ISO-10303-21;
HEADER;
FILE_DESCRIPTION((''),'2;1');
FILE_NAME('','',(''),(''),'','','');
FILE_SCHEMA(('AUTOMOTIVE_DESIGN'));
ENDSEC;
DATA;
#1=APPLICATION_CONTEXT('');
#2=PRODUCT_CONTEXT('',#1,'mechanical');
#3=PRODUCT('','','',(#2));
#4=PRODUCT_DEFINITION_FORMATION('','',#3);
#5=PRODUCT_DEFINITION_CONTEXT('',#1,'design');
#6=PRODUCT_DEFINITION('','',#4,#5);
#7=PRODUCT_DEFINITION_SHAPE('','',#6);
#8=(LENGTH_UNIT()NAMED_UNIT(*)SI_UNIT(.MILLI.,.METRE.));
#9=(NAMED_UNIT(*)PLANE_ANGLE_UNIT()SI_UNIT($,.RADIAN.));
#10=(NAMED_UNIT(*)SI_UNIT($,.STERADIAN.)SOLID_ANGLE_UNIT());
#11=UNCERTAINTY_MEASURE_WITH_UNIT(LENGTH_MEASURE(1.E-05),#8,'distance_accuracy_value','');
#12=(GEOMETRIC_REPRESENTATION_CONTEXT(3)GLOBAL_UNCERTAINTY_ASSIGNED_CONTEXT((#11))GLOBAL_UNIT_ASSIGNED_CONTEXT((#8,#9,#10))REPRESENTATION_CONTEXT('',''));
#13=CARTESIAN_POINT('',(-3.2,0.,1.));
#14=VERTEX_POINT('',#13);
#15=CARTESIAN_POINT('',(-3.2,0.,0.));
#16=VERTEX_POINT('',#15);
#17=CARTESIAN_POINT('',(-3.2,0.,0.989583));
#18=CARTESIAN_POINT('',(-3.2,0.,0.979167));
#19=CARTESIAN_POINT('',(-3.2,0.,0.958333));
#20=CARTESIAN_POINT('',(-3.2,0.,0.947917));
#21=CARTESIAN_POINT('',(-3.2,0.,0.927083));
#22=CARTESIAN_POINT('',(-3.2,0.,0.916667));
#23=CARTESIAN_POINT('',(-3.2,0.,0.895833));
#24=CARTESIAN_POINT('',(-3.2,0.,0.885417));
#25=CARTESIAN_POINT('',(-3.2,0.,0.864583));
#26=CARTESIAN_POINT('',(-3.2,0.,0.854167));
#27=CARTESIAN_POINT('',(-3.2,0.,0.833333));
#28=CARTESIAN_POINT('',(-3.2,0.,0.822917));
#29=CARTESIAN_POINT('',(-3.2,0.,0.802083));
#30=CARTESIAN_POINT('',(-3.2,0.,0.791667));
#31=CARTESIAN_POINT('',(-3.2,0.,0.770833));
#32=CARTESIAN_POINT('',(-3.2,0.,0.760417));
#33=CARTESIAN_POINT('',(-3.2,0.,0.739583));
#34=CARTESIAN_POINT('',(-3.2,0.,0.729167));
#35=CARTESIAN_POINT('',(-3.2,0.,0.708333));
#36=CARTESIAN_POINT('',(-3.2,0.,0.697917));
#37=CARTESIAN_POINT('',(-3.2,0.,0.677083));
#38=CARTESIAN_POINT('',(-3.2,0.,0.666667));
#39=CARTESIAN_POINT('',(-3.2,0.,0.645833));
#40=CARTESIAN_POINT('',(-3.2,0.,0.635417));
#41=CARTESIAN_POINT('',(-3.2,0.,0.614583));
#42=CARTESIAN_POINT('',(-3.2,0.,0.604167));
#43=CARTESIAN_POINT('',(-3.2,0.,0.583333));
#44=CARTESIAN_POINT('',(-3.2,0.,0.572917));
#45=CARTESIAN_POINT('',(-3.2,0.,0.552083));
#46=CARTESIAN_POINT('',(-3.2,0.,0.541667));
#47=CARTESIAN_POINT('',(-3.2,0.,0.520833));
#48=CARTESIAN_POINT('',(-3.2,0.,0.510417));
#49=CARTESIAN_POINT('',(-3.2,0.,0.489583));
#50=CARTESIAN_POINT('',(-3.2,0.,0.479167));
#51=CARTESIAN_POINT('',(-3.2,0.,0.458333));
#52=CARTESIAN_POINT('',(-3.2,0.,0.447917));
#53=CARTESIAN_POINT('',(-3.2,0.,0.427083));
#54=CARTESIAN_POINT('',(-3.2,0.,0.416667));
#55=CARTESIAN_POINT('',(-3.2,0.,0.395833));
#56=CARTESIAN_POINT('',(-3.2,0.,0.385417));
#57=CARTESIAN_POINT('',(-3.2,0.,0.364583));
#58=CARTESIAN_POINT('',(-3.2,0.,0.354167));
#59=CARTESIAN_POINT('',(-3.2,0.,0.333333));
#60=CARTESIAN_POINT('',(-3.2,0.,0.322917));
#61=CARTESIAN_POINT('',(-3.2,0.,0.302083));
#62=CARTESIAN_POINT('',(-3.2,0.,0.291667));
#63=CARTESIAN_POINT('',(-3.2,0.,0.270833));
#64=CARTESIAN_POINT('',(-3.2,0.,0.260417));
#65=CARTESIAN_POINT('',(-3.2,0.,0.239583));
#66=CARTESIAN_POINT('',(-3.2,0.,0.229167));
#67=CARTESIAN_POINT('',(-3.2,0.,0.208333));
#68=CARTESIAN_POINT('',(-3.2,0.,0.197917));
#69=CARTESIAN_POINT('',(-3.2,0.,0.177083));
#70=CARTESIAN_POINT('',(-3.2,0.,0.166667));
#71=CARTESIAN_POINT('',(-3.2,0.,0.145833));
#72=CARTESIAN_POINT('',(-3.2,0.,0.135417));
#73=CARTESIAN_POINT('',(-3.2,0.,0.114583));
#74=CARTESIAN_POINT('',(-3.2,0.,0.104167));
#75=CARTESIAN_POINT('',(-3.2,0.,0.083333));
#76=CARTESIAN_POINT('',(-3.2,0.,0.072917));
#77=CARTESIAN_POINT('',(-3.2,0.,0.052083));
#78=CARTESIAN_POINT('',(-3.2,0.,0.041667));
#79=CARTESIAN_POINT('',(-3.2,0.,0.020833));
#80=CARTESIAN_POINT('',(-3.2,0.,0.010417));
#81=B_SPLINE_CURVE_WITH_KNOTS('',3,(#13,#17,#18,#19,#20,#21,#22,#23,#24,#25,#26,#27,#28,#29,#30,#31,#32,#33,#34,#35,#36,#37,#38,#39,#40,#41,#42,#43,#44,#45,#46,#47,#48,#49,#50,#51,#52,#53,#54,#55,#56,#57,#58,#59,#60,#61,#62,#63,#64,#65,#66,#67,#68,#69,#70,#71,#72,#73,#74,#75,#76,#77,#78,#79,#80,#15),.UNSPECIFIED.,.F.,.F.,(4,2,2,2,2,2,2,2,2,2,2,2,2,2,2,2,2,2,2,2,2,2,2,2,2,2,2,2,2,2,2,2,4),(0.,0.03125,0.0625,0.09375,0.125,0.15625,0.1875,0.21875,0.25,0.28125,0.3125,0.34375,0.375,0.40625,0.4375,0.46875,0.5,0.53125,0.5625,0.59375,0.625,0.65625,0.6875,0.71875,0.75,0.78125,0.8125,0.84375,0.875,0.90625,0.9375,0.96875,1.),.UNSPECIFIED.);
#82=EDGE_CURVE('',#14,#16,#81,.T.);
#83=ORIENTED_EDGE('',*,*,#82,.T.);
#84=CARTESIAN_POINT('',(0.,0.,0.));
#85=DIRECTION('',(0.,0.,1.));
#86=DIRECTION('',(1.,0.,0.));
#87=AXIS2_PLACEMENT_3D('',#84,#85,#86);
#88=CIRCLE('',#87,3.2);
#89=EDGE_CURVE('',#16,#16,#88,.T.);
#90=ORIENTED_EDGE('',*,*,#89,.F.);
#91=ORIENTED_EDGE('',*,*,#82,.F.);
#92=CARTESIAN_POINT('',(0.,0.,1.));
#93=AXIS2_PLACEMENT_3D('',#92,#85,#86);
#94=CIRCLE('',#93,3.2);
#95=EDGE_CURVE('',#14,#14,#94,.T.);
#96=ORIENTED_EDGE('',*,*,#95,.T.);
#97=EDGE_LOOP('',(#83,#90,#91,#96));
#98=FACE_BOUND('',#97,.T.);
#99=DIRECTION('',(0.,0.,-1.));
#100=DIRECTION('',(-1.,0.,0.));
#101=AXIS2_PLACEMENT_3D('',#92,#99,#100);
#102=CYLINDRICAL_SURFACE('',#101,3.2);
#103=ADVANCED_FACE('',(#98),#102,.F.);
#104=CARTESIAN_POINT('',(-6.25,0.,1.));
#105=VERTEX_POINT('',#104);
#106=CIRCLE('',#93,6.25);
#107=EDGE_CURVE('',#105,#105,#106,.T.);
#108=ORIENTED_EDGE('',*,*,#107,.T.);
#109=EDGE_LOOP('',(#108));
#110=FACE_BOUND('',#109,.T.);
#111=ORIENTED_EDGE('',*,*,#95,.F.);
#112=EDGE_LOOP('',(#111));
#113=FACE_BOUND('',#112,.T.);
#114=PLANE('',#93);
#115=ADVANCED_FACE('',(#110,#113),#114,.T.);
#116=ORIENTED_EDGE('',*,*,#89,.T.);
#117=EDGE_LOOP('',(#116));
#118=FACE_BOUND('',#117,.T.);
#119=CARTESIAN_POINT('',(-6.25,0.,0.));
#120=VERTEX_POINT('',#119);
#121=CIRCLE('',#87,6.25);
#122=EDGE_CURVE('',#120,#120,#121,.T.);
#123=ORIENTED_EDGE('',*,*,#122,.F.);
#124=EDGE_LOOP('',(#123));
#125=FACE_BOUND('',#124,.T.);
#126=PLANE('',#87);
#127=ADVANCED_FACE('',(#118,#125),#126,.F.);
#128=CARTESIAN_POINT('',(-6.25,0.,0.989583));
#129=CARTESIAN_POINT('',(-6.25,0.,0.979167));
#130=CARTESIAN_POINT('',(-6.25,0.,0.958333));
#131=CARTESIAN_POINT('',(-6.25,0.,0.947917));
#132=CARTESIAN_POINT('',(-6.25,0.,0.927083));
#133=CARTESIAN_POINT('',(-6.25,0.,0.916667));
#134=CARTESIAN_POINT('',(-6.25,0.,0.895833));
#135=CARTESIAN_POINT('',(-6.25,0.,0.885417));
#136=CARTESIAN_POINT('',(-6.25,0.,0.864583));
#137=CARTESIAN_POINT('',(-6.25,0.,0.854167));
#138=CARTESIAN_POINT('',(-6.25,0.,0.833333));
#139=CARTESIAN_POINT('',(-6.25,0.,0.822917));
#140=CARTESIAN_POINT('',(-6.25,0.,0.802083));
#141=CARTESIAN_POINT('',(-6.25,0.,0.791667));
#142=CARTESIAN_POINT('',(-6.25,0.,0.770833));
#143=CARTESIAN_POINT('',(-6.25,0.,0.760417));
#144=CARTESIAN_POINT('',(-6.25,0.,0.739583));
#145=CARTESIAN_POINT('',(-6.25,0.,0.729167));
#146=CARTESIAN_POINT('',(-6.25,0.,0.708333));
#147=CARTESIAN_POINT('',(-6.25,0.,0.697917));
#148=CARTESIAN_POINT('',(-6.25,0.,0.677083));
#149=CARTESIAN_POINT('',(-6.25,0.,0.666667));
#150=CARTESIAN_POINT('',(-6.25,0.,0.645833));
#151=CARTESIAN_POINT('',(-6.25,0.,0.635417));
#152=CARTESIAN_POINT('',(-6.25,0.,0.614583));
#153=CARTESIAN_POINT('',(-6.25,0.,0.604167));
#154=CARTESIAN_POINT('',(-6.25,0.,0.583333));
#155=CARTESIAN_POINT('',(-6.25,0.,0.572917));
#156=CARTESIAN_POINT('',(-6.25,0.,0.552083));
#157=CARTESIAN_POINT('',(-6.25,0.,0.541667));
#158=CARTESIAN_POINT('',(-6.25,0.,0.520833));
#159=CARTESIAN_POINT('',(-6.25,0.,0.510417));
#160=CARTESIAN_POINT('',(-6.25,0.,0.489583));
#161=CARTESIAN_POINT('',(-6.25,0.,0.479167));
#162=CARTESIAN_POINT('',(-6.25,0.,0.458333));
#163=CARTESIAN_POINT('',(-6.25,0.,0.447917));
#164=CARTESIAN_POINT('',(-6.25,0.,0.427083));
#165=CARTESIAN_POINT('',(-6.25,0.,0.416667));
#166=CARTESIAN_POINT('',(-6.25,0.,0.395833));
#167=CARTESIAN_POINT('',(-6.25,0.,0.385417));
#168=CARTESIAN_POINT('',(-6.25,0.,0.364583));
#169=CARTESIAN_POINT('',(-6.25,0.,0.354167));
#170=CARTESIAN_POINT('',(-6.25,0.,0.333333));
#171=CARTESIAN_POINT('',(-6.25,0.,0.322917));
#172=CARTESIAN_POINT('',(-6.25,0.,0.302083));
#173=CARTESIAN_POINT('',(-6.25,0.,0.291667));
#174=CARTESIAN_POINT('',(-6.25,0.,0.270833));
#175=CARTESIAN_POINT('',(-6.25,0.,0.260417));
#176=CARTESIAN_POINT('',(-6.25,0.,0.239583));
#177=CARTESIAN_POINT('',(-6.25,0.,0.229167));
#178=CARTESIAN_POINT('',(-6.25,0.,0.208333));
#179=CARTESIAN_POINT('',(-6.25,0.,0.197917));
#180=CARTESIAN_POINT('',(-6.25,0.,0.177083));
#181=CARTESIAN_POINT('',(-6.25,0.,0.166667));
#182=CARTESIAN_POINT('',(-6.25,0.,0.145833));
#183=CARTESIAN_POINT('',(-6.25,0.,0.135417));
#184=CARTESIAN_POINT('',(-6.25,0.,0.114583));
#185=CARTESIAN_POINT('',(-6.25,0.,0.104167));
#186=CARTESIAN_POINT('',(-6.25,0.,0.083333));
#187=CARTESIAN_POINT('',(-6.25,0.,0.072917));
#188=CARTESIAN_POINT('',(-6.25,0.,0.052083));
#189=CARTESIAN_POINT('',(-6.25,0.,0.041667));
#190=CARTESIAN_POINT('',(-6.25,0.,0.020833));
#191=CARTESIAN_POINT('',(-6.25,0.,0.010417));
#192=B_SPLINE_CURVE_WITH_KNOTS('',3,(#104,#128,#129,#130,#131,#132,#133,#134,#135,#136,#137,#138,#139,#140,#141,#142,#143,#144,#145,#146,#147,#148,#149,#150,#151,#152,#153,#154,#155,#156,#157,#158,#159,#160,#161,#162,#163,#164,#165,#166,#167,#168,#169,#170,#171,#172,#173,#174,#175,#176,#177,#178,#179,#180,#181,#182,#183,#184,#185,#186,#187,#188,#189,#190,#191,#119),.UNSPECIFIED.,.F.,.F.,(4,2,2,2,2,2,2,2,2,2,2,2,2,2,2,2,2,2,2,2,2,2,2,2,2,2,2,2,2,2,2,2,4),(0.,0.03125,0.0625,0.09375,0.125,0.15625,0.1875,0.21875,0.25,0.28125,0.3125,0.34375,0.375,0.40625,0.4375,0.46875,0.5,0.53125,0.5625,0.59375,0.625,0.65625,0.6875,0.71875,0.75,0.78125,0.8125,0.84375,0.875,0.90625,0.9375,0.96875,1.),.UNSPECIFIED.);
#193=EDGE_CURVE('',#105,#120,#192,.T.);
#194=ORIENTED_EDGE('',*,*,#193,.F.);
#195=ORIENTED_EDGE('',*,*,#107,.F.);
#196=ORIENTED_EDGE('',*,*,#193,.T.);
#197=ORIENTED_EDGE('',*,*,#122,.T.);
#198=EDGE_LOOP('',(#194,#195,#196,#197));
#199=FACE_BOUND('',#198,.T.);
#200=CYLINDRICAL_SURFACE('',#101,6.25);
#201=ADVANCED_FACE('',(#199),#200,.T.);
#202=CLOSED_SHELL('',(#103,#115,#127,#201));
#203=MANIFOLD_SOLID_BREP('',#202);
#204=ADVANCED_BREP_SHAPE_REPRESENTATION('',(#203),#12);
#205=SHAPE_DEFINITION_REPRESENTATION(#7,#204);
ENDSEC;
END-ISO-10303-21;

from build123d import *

# Parameters (mm, degrees)
ESQUISSE1_R        = 6.25
ESQUISSE1_R_2      = 3.2
BOSS_EXTRU_1_DEPTH = 1


with BuildPart() as part:
    # Esquisse1 → Boss.-Extru.1 (new body)
    with BuildSketch(Plane.XY):
        with Locations(Location((0, 0, 0), (0, 0, 180))):
            Circle(ESQUISSE1_R)
        with Locations(Location((0, 0, 0), (0, 0, 180))):
            Circle(ESQUISSE1_R_2, mode=Mode.SUBTRACT)
    extrude(amount=BOSS_EXTRU_1_DEPTH)


solid = part.part
